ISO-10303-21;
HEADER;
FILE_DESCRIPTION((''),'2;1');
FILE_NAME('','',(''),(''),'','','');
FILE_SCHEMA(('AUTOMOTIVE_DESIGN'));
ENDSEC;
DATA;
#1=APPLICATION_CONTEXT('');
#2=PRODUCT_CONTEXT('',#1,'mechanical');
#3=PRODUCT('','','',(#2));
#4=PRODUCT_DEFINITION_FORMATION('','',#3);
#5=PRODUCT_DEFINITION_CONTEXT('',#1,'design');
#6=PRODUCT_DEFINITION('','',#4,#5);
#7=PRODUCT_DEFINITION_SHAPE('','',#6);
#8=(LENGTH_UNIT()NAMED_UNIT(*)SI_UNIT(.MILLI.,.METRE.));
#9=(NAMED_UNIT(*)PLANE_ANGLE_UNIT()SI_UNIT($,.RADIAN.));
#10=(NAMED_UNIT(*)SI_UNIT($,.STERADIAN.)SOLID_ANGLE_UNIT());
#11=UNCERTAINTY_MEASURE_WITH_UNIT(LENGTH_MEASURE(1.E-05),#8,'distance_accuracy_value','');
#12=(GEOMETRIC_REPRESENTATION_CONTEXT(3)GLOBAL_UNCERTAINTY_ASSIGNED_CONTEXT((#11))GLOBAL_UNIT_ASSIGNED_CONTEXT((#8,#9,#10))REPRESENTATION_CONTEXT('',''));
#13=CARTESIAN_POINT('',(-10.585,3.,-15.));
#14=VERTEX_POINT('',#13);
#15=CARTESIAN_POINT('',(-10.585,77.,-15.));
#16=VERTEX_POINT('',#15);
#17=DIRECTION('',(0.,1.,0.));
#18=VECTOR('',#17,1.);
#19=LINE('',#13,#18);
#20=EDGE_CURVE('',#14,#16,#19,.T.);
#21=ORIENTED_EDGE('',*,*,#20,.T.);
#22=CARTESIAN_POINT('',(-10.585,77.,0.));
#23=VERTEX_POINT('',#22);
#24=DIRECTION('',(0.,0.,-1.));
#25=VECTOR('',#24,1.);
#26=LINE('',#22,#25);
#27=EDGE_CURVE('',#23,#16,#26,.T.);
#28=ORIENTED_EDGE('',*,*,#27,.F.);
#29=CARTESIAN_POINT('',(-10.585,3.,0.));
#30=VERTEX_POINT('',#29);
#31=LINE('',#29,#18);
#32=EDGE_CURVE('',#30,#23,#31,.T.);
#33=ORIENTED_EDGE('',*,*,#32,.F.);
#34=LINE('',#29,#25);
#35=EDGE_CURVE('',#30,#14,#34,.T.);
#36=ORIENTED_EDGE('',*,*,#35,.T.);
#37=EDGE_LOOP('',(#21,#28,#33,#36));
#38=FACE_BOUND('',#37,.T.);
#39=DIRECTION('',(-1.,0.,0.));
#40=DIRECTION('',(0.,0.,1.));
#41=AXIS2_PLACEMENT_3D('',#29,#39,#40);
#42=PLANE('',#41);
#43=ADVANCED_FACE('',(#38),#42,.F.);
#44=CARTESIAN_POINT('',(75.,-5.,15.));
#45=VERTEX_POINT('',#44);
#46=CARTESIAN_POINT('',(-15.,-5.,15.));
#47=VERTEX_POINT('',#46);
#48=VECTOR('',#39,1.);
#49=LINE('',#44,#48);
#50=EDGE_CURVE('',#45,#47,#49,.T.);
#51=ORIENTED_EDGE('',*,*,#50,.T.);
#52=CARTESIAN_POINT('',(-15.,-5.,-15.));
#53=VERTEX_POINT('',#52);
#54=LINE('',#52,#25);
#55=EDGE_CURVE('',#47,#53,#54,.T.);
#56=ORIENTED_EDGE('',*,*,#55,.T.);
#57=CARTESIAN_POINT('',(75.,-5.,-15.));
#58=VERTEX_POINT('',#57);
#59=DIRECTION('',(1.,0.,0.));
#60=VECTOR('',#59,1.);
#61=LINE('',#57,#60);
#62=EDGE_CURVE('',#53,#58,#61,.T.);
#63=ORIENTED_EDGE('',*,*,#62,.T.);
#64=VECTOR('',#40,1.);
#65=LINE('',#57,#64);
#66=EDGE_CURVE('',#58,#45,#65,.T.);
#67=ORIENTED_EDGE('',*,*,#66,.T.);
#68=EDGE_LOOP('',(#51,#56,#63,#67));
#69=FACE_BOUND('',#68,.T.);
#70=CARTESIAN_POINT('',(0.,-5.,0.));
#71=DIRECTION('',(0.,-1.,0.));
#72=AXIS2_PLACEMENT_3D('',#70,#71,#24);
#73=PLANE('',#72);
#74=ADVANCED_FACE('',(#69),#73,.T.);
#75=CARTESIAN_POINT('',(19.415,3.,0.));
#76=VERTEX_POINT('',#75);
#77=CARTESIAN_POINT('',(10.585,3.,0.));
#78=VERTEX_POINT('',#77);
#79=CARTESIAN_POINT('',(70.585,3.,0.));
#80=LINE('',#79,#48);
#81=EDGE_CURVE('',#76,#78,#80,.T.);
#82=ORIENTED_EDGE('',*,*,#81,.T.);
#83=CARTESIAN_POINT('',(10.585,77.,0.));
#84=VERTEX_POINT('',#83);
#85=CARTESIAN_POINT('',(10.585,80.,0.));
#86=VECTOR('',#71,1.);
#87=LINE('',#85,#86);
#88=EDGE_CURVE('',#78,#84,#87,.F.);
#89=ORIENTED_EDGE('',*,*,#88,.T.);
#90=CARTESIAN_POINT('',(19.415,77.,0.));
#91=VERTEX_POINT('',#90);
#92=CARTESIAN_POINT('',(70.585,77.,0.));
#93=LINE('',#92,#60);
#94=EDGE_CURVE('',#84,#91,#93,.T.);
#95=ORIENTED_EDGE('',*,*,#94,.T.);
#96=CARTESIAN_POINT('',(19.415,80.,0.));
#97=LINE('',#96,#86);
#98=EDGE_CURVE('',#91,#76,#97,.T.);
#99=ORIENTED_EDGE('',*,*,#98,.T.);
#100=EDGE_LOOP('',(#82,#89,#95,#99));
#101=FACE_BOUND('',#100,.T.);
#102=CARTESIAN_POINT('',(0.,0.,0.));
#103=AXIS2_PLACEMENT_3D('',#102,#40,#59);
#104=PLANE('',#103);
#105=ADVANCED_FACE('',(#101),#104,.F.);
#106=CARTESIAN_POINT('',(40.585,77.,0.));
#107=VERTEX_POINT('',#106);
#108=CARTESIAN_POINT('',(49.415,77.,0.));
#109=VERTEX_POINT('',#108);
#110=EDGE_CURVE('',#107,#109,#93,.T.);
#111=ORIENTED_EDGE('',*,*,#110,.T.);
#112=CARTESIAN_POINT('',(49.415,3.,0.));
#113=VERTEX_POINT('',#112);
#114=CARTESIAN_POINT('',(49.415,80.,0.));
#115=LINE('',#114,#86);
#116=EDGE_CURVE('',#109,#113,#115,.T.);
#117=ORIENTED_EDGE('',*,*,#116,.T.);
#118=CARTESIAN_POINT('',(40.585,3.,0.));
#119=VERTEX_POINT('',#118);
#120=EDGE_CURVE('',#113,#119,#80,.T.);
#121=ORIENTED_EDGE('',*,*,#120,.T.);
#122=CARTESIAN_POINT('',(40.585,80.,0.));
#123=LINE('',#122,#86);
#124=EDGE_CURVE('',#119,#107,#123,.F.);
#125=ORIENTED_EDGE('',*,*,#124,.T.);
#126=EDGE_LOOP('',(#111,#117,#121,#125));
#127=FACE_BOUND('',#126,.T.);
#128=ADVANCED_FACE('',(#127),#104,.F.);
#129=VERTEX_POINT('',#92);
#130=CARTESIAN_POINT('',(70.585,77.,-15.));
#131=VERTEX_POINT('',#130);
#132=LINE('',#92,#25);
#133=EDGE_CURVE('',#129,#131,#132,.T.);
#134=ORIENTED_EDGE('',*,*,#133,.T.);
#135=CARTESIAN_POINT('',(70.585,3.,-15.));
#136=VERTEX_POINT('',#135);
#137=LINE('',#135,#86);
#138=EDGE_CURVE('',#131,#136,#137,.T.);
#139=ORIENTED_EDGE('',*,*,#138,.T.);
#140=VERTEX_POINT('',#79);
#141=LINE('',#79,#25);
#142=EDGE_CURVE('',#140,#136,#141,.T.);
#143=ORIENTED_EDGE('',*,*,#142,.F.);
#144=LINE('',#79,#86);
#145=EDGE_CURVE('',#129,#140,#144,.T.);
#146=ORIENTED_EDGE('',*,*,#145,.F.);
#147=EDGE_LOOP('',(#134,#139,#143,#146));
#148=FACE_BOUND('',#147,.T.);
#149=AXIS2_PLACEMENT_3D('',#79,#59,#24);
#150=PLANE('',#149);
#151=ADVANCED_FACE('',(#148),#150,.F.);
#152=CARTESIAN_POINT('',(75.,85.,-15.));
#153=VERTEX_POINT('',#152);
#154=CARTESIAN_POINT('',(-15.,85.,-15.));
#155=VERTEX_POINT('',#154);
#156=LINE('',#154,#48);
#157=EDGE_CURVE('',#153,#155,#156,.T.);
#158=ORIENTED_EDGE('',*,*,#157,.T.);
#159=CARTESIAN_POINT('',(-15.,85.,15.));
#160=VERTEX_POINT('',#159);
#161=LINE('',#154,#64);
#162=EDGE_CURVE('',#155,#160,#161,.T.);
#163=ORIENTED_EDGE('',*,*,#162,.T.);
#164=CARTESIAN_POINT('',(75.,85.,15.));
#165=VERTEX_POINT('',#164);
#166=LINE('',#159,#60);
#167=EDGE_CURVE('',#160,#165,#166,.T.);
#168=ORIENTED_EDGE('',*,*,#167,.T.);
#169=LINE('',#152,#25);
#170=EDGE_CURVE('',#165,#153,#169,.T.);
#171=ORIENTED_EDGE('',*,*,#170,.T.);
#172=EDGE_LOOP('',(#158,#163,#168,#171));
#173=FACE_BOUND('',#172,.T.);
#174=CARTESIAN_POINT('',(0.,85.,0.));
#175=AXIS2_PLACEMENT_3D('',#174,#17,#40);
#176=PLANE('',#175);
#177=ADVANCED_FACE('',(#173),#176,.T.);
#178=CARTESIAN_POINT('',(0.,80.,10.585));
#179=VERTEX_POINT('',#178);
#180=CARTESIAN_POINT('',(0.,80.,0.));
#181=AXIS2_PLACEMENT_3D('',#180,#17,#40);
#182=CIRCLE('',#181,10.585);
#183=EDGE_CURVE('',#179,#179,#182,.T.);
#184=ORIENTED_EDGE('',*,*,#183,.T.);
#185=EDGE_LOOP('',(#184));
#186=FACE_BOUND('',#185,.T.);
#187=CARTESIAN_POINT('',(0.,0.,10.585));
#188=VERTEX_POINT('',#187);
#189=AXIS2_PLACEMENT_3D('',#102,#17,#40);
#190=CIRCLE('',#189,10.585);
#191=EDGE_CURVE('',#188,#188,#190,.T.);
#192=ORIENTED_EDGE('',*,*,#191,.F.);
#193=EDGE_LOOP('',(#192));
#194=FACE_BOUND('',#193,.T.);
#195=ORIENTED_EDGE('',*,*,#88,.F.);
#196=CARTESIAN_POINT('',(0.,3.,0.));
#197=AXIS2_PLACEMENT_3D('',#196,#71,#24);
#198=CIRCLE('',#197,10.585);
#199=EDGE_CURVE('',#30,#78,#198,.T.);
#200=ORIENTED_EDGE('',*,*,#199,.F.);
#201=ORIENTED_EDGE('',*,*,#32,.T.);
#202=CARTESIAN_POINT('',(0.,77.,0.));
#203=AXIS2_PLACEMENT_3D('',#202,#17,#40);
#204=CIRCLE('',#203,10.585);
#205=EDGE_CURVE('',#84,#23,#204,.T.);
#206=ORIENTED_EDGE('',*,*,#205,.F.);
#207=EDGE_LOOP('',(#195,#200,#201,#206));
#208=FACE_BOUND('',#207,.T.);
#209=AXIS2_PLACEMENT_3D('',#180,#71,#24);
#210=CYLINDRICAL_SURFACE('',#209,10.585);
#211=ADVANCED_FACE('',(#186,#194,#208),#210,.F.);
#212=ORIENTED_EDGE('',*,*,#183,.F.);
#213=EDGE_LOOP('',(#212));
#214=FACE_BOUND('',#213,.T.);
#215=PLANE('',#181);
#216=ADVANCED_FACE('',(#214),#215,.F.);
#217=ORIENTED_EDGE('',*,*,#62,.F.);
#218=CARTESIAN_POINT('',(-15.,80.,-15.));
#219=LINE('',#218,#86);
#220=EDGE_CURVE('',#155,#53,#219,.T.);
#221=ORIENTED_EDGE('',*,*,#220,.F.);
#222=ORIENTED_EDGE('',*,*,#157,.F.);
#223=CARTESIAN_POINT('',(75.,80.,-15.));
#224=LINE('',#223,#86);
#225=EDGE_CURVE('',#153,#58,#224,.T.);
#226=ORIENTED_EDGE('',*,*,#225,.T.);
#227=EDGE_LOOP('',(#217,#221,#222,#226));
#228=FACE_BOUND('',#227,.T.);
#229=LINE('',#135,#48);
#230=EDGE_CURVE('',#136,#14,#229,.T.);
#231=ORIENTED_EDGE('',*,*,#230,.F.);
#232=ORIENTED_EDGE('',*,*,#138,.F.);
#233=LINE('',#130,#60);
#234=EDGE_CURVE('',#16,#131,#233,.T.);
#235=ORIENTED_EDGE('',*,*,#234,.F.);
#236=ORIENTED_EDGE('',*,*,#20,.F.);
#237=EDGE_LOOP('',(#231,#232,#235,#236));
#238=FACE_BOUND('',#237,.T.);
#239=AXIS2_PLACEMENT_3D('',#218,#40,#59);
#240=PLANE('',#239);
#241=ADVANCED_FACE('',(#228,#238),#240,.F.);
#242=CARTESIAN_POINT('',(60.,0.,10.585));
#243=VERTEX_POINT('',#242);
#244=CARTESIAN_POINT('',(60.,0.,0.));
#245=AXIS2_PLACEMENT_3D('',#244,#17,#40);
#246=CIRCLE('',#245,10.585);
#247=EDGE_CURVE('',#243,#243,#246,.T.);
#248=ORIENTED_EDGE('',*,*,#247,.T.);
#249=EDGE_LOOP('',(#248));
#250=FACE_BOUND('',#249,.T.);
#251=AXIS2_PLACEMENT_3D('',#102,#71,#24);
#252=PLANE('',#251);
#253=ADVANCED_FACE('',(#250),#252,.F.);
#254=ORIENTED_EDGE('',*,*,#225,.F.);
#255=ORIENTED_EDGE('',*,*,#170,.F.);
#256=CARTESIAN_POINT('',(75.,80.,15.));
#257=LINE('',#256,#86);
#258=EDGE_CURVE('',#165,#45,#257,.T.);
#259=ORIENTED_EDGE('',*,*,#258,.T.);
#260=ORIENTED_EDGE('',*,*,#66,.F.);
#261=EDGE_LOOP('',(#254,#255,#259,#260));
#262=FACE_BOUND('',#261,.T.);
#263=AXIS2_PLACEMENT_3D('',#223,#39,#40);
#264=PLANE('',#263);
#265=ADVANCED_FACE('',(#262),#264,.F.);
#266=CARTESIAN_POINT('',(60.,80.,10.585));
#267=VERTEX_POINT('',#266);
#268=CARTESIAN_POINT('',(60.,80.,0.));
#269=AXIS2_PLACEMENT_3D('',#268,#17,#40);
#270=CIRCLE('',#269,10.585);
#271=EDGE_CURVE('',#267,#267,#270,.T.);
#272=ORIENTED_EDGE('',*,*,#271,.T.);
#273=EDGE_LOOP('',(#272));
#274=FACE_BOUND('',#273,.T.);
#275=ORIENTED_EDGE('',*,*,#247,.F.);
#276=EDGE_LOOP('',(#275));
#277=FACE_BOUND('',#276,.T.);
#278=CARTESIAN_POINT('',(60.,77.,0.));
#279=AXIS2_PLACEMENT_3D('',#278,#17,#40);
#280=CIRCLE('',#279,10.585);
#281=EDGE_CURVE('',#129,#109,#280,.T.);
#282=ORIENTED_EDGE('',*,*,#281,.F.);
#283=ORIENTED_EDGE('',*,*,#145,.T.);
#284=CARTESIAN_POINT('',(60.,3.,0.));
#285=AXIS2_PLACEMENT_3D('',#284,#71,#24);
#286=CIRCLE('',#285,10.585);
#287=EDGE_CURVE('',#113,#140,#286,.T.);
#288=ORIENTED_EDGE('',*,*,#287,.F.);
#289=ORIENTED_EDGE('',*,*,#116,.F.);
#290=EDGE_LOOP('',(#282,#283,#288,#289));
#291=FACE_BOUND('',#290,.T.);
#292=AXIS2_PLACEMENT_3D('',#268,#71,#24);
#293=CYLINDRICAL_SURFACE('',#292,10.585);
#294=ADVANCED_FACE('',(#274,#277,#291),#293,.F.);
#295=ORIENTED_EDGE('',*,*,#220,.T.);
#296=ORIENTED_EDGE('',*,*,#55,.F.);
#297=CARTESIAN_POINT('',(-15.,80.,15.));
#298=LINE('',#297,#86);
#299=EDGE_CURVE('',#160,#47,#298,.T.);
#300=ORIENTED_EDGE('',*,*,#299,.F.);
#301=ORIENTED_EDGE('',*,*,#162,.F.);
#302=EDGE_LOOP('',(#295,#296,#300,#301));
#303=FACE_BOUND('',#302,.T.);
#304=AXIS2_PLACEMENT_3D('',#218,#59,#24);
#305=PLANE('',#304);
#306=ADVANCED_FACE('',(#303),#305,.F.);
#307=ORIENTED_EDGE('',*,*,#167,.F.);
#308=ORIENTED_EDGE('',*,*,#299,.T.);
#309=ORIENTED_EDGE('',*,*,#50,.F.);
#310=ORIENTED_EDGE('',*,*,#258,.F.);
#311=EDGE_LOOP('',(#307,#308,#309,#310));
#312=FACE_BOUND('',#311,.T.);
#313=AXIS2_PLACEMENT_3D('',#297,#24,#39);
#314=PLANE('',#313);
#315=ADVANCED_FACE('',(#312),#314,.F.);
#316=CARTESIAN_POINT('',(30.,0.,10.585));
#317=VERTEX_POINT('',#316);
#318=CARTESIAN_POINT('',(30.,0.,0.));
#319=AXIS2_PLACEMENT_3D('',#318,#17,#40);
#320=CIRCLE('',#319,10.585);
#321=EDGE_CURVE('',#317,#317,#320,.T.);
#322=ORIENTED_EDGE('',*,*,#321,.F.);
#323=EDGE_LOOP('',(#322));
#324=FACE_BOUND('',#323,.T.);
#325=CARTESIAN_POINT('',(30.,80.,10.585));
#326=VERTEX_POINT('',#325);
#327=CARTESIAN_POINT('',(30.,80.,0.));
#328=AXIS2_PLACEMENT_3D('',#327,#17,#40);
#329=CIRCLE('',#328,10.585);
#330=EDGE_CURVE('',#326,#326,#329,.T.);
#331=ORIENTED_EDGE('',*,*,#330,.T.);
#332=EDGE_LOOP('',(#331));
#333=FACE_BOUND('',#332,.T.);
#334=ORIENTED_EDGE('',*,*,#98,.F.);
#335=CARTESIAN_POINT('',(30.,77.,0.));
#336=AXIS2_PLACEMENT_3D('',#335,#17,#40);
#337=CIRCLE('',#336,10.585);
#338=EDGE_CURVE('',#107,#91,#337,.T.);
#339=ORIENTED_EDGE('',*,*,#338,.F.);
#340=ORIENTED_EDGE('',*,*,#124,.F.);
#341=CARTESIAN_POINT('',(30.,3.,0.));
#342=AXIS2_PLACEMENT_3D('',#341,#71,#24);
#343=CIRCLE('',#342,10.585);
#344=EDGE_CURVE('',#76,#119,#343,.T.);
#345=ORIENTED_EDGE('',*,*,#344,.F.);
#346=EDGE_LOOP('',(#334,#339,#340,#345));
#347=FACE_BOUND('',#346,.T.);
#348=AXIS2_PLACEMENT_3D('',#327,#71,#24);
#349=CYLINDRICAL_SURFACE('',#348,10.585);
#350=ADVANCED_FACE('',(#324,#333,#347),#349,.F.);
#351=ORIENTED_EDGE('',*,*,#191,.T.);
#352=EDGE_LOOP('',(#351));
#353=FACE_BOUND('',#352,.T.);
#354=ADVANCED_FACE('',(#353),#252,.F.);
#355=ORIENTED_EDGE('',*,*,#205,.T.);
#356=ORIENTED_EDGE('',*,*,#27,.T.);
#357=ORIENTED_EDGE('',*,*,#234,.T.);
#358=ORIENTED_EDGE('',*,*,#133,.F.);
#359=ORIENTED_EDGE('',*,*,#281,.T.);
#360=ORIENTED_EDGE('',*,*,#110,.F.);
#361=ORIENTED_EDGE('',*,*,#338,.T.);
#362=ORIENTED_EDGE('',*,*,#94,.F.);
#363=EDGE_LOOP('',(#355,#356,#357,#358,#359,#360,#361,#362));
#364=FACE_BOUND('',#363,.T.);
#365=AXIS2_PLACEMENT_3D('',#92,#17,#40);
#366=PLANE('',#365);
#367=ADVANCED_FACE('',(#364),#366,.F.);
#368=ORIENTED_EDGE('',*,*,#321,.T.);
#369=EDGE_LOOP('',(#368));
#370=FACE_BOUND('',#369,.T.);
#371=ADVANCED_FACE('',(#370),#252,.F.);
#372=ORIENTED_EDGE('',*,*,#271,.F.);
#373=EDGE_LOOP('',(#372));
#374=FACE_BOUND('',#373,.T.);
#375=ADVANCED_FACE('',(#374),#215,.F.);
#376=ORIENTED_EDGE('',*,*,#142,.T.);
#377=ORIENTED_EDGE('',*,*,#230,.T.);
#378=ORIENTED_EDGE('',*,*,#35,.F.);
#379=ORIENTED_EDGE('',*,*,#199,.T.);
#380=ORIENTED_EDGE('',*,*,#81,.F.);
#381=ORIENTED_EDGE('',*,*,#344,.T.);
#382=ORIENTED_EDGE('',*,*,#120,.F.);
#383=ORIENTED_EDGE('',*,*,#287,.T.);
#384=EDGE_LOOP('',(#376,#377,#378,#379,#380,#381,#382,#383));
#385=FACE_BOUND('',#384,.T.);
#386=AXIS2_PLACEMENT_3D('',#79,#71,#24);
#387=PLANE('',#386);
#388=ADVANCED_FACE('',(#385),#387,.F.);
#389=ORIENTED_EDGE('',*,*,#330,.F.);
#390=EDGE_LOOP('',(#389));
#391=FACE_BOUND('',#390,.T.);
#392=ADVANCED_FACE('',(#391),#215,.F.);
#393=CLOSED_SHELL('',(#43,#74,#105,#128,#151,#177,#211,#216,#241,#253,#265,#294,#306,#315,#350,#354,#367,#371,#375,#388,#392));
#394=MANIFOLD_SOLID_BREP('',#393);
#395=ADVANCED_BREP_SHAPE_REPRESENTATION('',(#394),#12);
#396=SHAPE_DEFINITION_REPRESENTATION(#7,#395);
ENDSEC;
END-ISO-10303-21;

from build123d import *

# Parameters (mm, degrees)
SKETCH1_W           = 90
SKETCH1_H           = 30
SKETCH1_R           = 10.585
BOSS_EXTRUDE1_DEPTH = 80
SKETCH2_W           = 90
SKETCH2_H           = 30
BOSS_EXTRUDE2_DEPTH = 5
SKETCH3_W           = 90
SKETCH3_H           = 30
BOSS_EXTRUDE3_DEPTH = 5
SKETCH4_W           = 81.17
SKETCH4_H           = 74
CUT_EXTRUDE1_DEPTH  = 15


with BuildPart() as part:
    # Sketch1 → Boss-Extrude1 (new body)
    with BuildSketch(Plane(origin=(0, 0, 0), x_dir=(1, 0, 0), z_dir=(0, 1, 0))):
        with Locations((30, 0)):
            Rectangle(SKETCH1_W, SKETCH1_H)
        with Locations(Location((0, 0, 0), (0, 0, 270))):
            Circle(SKETCH1_R, mode=Mode.SUBTRACT)
        with Locations(Location((60, 0, 0), (0, 0, 270))):
            Circle(SKETCH1_R, mode=Mode.SUBTRACT)
        with Locations(Location((30, 0, 0), (0, 0, 270))):
            Circle(SKETCH1_R, mode=Mode.SUBTRACT)
    extrude(amount=BOSS_EXTRUDE1_DEPTH)

    # Sketch2 → Boss-Extrude2 (add)
    with BuildSketch(Plane(origin=(0, 80, 0), x_dir=(1, 0, 0), z_dir=(0, 1, 0))):
        with Locations((30, 0)):
            Rectangle(SKETCH2_W, SKETCH2_H)
    extrude(amount=BOSS_EXTRUDE2_DEPTH)

    # Sketch3 → Boss-Extrude3 (add)
    with BuildSketch(Plane.XZ):
        with Locations((30, 0)):
            Rectangle(SKETCH3_W, SKETCH3_H)
    extrude(amount=BOSS_EXTRUDE3_DEPTH)

    # Sketch4 → Cut-Extrude1 (cut)
    with BuildSketch(Plane(origin=(0, 0, -15), x_dir=(-1, 0, 0), z_dir=(0, 0, -1))):
        with Locations((-30, 40)):
            Rectangle(SKETCH4_W, SKETCH4_H)
    extrude(amount=-CUT_EXTRUDE1_DEPTH, mode=Mode.SUBTRACT)


solid = part.part
